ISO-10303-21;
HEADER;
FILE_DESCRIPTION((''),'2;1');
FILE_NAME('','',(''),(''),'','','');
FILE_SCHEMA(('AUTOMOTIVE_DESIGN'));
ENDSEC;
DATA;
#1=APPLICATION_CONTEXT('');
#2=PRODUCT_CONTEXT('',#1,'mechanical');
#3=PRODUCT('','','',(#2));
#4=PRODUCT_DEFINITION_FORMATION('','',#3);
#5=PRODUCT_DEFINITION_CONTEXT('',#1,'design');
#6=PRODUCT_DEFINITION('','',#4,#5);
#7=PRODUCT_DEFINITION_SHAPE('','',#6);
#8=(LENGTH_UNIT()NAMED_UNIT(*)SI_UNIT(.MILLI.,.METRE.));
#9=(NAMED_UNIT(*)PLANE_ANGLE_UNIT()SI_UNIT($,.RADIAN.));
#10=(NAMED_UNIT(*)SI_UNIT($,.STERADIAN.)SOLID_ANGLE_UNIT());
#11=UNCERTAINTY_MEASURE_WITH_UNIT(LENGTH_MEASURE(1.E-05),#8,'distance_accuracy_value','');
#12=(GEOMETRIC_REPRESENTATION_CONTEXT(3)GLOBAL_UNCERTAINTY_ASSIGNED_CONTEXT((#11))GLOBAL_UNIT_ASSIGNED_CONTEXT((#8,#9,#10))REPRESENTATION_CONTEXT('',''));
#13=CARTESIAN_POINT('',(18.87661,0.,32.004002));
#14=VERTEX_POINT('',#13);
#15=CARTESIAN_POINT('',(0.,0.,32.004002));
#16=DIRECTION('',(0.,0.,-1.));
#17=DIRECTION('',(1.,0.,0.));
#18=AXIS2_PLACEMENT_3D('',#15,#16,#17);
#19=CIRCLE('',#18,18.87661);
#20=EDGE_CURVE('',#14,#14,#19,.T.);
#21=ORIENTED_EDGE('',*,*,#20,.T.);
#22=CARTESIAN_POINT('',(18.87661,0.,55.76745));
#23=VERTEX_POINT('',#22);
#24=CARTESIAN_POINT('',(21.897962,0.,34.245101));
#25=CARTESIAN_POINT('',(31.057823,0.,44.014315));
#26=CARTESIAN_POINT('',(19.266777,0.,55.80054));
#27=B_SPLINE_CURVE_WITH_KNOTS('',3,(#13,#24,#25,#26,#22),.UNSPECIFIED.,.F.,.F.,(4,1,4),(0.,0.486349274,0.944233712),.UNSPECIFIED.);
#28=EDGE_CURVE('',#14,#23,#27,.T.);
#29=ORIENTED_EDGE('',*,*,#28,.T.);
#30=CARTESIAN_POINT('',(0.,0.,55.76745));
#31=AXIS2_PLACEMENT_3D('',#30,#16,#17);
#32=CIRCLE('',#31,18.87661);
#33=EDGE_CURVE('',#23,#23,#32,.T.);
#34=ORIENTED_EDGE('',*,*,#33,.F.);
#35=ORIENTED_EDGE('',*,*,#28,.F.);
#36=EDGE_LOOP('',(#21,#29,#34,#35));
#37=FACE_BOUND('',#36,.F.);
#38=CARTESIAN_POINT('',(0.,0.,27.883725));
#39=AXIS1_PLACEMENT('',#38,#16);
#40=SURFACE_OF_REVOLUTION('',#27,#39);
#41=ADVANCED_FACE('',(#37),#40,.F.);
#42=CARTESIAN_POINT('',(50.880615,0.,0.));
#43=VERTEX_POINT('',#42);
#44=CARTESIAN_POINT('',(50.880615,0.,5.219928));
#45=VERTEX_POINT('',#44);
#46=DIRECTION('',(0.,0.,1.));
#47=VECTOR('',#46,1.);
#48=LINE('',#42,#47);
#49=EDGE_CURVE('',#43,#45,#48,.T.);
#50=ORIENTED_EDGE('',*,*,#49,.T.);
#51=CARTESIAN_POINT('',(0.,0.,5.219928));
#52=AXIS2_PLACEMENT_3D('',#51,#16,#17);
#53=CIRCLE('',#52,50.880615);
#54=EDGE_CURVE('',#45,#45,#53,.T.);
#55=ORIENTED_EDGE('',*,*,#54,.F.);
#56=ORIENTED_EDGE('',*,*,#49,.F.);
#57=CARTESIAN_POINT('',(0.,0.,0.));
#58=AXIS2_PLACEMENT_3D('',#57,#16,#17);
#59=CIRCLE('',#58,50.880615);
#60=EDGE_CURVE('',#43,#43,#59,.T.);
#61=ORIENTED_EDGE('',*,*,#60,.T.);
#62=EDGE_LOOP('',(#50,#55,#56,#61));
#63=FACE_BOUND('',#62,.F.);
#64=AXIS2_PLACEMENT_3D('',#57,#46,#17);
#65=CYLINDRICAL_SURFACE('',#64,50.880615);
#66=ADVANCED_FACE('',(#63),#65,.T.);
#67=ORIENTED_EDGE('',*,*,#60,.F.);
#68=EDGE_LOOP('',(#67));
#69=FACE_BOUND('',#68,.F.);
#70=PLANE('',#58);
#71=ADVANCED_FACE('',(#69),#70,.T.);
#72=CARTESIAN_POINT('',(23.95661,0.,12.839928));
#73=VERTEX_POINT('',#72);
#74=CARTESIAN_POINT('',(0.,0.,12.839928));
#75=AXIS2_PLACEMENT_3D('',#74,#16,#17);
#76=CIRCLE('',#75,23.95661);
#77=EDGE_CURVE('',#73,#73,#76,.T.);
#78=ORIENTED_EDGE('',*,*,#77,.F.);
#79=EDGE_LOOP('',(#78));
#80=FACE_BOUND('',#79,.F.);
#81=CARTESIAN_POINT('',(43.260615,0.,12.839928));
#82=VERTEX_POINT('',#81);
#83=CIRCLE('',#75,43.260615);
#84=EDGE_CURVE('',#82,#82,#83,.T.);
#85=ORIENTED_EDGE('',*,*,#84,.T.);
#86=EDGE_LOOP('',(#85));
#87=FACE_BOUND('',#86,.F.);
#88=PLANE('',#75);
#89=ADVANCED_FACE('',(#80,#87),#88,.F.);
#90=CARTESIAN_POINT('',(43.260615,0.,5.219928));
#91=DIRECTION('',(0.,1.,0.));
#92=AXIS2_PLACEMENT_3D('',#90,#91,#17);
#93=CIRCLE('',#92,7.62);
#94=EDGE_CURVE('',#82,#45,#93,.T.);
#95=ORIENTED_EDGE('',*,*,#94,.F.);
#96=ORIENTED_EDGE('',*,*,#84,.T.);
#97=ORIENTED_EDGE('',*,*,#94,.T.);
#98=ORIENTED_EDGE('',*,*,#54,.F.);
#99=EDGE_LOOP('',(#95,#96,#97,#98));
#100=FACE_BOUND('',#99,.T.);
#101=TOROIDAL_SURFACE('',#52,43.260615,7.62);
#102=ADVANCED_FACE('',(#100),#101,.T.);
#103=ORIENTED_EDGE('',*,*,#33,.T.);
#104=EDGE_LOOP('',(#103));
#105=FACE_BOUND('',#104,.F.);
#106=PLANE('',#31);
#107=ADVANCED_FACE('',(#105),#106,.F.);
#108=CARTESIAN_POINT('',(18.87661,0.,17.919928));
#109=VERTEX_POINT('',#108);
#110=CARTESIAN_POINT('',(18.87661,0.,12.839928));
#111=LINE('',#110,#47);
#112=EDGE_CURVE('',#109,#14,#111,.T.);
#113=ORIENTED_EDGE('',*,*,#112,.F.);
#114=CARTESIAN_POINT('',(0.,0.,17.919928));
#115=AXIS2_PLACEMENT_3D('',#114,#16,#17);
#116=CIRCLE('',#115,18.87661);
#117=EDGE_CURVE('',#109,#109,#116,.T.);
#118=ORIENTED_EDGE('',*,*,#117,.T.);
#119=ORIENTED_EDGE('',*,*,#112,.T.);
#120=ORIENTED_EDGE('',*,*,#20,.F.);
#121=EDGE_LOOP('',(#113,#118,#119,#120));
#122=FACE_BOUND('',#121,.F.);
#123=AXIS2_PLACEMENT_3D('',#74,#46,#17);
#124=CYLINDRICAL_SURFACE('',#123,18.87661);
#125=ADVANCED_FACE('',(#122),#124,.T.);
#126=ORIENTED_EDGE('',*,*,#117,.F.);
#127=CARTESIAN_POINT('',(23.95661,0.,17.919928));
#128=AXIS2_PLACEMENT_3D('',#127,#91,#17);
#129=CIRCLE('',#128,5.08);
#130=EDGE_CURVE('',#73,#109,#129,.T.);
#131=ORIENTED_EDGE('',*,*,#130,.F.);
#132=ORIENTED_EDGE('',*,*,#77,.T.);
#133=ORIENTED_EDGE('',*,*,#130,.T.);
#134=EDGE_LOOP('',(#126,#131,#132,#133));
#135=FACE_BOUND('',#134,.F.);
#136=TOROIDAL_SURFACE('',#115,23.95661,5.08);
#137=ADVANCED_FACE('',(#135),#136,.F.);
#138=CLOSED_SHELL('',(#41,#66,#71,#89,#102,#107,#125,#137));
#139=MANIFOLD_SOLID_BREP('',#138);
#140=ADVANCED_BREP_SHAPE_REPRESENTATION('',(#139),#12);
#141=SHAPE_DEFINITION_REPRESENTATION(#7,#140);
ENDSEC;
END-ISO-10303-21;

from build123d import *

# Parameters (mm, degrees)
F2_R     = 5.08
F3_R     = 7.62
F4_R     = 14.2888037355
F5_DEPTH = 25.4


with BuildPart() as f1:
    # F0 (on Front) → F1 (revolve)
    with BuildSketch(Plane.XZ):
        with BuildLine():
            Line((0, 55.7674504817), (0, 0))
            Line((0, 0), (50.8806146681, 0))
            Line((50.8806146681, 0), (50.8806146681, 12.8399282694))
            Line((50.8806146681, 12.8399282694), (18.8766103238, 12.8399282694))
            Line((18.8766103238, 12.8399282694), (18.8766103238, 32.0040024817))
            add(Edge.make_bspline(
                [(18.8766103238, 32.0040024817), (21.8979616755, 34.2451012966), (31.0578233334, 44.0143150598), (19.2667769723, 55.8005396658), (18.8766103238, 55.7674504817)],
                knots=[0, 0, 0, 0, 0.4863492735, 0.9442337123, 0.9442337123, 0.9442337123, 0.9442337123], degree=3))
            Line((18.8766103238, 55.7674504817), (0, 55.7674504817))
        make_face()
    revolve(axis=Axis((0, 0, 27.8837252408), (0, 0, -1)))

    # F2
    f2_edges = [f1.edges().sort_by_distance(p)[0] for p in [
        (-18.87661, 0, 12.839928),
    ]]
    fillet(f2_edges, radius=F2_R)

    # F3
    f3_edges = [f1.edges().sort_by_distance(p)[0] for p in [
        (-50.880615, 0, 12.839928),
    ]]
    fillet(f3_edges, radius=F3_R)

    # F4 (on Top) → F5 (join)
    with BuildSketch(Plane.XY):
        Circle(F4_R)
    extrude(amount=F5_DEPTH)


solid = f1.part
